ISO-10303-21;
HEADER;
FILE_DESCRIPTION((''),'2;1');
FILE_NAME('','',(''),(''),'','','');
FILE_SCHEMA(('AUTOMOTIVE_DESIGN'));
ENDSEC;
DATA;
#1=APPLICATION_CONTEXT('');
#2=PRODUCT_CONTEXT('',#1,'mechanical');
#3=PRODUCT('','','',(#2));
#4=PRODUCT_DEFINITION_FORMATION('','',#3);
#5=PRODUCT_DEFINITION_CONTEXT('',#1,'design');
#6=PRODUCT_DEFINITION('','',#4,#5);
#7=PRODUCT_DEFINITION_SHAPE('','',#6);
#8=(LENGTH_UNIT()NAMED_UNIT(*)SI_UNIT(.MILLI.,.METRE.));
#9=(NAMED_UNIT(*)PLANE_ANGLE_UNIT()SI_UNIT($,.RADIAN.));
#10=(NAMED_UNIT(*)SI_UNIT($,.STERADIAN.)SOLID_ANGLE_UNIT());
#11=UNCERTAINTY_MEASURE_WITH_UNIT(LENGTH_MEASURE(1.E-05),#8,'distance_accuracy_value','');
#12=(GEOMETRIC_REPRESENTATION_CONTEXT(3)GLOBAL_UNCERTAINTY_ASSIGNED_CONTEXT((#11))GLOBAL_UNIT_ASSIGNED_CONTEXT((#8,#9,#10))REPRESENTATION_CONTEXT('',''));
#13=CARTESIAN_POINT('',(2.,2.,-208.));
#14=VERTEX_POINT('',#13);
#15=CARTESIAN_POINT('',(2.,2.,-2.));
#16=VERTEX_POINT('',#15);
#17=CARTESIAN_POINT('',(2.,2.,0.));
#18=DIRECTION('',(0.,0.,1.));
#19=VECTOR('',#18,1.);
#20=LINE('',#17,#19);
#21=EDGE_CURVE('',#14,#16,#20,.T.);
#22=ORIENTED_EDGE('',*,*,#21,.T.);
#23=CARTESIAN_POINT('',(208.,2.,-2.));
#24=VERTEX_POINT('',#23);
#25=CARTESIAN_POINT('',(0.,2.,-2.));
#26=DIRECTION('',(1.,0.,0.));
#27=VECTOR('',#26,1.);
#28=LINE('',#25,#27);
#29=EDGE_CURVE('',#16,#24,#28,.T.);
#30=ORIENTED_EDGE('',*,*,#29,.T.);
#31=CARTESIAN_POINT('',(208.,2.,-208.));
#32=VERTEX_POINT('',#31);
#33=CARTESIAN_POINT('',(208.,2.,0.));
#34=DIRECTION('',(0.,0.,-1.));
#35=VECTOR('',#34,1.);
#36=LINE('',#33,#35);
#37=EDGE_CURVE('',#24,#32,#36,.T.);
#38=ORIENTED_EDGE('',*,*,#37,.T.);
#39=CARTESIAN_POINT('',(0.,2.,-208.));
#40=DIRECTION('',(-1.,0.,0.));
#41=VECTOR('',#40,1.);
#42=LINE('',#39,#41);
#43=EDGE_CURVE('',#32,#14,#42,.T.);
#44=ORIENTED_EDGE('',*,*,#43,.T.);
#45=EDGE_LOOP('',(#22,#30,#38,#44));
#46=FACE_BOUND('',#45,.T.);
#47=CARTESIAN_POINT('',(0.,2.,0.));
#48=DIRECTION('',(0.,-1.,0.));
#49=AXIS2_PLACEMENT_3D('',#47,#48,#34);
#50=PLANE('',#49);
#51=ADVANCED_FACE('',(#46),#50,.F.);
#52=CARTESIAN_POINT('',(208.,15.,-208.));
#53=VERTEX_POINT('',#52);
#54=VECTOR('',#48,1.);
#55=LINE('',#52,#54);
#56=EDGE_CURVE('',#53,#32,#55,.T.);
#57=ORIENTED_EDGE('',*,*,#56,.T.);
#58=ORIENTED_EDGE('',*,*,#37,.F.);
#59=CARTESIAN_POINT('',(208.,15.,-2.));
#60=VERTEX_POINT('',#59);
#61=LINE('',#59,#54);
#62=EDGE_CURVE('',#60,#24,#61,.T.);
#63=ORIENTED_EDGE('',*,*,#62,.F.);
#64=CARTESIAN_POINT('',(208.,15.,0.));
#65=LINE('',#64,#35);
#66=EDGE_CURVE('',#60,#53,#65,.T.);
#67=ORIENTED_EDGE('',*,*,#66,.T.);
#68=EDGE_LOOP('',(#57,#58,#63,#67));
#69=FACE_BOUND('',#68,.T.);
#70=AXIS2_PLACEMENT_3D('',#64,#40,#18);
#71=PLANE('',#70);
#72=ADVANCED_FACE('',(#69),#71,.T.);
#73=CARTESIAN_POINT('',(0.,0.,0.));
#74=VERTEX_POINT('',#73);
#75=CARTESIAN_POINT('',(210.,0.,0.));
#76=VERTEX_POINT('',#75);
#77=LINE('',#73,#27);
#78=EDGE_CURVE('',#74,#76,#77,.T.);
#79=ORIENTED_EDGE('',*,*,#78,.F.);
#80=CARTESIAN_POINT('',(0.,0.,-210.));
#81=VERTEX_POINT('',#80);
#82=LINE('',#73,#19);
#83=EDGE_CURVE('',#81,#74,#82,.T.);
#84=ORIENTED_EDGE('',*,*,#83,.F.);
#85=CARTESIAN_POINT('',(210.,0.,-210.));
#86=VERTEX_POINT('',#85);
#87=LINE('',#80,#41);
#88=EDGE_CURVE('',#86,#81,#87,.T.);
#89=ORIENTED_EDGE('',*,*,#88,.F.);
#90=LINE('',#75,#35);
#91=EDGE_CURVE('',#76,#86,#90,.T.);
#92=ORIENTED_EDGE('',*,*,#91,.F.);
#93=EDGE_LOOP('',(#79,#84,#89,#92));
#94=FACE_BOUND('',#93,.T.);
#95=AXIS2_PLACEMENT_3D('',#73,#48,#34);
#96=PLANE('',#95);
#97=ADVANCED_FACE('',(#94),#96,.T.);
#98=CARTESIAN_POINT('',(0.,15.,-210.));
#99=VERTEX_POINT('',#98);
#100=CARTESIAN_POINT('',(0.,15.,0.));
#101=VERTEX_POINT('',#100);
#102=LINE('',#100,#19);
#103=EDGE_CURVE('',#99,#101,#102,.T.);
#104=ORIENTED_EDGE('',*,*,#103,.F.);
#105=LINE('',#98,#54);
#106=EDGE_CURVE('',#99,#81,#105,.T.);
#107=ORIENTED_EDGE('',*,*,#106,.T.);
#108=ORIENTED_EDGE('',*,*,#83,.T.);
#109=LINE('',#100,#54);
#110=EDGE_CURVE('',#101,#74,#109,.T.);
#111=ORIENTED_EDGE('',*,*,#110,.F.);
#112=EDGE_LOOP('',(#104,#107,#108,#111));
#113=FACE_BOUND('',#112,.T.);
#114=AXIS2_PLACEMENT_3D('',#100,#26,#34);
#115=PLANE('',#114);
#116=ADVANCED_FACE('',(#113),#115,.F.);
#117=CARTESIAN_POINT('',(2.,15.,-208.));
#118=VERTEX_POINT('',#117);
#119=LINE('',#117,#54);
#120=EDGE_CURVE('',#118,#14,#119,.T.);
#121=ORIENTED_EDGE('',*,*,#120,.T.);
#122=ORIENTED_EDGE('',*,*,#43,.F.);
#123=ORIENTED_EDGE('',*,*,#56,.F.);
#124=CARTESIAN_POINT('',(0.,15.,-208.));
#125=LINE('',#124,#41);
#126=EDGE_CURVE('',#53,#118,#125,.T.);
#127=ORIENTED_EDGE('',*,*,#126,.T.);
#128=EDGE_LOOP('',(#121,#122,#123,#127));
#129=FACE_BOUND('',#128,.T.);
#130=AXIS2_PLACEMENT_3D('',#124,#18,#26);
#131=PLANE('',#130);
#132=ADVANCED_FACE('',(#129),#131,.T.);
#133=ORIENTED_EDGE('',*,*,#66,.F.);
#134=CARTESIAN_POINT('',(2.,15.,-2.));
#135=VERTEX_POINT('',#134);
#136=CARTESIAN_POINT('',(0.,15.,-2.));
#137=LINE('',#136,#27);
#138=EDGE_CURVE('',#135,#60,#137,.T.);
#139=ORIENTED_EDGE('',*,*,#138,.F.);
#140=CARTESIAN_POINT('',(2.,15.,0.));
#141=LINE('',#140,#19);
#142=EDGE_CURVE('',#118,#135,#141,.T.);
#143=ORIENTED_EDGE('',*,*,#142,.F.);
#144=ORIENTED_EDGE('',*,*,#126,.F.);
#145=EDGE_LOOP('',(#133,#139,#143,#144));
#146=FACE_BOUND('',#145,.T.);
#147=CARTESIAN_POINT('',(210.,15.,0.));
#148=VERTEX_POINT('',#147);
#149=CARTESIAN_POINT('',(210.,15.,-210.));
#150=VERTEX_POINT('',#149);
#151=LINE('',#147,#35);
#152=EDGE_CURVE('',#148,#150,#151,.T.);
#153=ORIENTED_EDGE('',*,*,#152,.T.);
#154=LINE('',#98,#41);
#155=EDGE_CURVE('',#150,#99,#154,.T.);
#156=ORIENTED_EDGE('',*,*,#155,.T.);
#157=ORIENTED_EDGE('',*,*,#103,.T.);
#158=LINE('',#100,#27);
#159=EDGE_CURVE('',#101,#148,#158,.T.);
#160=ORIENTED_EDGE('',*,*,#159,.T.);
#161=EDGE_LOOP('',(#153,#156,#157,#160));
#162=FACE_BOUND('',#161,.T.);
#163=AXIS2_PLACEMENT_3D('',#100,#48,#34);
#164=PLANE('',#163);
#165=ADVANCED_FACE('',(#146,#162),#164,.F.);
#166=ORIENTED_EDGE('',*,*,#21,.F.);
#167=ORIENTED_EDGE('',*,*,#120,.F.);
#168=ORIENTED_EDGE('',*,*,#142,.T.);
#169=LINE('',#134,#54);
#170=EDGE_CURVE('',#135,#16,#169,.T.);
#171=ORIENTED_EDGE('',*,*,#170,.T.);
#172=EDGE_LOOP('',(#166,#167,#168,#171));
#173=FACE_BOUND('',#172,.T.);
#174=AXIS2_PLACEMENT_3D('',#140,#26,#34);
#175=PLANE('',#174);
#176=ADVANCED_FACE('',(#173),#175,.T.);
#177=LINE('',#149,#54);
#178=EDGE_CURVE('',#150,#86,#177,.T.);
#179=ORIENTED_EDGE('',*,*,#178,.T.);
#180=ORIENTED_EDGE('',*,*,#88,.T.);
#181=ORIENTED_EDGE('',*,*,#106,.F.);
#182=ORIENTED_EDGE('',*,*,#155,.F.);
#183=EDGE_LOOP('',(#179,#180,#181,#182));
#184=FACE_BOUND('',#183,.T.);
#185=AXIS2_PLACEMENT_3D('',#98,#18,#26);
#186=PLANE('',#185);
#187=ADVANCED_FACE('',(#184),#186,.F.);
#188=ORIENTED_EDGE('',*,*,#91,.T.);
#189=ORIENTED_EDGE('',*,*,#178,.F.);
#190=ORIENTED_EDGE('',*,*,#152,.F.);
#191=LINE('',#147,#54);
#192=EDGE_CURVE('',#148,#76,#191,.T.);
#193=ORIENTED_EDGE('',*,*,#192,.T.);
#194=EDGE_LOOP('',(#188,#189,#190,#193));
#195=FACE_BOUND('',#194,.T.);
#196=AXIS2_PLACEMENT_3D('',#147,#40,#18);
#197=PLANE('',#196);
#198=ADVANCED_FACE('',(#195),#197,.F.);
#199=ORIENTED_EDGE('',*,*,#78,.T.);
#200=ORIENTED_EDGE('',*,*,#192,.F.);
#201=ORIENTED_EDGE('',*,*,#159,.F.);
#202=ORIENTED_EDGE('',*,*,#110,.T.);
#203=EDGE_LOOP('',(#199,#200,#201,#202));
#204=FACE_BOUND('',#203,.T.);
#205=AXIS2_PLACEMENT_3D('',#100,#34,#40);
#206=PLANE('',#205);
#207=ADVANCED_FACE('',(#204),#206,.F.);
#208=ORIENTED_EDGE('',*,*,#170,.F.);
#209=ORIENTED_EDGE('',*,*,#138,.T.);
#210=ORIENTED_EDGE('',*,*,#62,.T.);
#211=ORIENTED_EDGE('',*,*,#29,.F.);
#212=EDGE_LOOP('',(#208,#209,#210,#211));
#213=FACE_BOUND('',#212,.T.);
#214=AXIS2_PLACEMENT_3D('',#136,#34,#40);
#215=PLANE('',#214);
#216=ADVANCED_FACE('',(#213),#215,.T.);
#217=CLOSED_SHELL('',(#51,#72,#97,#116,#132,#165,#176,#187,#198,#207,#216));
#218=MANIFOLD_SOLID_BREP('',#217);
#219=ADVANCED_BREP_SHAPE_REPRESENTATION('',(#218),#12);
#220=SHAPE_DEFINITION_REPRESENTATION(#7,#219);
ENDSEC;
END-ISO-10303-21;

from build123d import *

# Parameters (mm, degrees)
SKETCH_1_W      = 210
SKETCH_1_H      = 210
EXTRUDE_1_DEPTH = 15
SHELL_1_T       = -2


with BuildPart() as part:
    # 草图1 → 凸台-拉伸1 (new body)
    with BuildSketch(Plane(origin=(0, 0, 0), x_dir=(1, 0, 0), z_dir=(0, 1, 0))):
        with Locations((105, 105)):
            Rectangle(SKETCH_1_W, SKETCH_1_H)
    extrude(amount=EXTRUDE_1_DEPTH)

    # 抽壳1
    shell_1_openings = [part.faces().sort_by_distance(p)[0] for p in [
        (105, 15, -105),
    ]]
    offset(amount=SHELL_1_T, openings=shell_1_openings, kind=Kind.INTERSECTION)


solid = part.part
